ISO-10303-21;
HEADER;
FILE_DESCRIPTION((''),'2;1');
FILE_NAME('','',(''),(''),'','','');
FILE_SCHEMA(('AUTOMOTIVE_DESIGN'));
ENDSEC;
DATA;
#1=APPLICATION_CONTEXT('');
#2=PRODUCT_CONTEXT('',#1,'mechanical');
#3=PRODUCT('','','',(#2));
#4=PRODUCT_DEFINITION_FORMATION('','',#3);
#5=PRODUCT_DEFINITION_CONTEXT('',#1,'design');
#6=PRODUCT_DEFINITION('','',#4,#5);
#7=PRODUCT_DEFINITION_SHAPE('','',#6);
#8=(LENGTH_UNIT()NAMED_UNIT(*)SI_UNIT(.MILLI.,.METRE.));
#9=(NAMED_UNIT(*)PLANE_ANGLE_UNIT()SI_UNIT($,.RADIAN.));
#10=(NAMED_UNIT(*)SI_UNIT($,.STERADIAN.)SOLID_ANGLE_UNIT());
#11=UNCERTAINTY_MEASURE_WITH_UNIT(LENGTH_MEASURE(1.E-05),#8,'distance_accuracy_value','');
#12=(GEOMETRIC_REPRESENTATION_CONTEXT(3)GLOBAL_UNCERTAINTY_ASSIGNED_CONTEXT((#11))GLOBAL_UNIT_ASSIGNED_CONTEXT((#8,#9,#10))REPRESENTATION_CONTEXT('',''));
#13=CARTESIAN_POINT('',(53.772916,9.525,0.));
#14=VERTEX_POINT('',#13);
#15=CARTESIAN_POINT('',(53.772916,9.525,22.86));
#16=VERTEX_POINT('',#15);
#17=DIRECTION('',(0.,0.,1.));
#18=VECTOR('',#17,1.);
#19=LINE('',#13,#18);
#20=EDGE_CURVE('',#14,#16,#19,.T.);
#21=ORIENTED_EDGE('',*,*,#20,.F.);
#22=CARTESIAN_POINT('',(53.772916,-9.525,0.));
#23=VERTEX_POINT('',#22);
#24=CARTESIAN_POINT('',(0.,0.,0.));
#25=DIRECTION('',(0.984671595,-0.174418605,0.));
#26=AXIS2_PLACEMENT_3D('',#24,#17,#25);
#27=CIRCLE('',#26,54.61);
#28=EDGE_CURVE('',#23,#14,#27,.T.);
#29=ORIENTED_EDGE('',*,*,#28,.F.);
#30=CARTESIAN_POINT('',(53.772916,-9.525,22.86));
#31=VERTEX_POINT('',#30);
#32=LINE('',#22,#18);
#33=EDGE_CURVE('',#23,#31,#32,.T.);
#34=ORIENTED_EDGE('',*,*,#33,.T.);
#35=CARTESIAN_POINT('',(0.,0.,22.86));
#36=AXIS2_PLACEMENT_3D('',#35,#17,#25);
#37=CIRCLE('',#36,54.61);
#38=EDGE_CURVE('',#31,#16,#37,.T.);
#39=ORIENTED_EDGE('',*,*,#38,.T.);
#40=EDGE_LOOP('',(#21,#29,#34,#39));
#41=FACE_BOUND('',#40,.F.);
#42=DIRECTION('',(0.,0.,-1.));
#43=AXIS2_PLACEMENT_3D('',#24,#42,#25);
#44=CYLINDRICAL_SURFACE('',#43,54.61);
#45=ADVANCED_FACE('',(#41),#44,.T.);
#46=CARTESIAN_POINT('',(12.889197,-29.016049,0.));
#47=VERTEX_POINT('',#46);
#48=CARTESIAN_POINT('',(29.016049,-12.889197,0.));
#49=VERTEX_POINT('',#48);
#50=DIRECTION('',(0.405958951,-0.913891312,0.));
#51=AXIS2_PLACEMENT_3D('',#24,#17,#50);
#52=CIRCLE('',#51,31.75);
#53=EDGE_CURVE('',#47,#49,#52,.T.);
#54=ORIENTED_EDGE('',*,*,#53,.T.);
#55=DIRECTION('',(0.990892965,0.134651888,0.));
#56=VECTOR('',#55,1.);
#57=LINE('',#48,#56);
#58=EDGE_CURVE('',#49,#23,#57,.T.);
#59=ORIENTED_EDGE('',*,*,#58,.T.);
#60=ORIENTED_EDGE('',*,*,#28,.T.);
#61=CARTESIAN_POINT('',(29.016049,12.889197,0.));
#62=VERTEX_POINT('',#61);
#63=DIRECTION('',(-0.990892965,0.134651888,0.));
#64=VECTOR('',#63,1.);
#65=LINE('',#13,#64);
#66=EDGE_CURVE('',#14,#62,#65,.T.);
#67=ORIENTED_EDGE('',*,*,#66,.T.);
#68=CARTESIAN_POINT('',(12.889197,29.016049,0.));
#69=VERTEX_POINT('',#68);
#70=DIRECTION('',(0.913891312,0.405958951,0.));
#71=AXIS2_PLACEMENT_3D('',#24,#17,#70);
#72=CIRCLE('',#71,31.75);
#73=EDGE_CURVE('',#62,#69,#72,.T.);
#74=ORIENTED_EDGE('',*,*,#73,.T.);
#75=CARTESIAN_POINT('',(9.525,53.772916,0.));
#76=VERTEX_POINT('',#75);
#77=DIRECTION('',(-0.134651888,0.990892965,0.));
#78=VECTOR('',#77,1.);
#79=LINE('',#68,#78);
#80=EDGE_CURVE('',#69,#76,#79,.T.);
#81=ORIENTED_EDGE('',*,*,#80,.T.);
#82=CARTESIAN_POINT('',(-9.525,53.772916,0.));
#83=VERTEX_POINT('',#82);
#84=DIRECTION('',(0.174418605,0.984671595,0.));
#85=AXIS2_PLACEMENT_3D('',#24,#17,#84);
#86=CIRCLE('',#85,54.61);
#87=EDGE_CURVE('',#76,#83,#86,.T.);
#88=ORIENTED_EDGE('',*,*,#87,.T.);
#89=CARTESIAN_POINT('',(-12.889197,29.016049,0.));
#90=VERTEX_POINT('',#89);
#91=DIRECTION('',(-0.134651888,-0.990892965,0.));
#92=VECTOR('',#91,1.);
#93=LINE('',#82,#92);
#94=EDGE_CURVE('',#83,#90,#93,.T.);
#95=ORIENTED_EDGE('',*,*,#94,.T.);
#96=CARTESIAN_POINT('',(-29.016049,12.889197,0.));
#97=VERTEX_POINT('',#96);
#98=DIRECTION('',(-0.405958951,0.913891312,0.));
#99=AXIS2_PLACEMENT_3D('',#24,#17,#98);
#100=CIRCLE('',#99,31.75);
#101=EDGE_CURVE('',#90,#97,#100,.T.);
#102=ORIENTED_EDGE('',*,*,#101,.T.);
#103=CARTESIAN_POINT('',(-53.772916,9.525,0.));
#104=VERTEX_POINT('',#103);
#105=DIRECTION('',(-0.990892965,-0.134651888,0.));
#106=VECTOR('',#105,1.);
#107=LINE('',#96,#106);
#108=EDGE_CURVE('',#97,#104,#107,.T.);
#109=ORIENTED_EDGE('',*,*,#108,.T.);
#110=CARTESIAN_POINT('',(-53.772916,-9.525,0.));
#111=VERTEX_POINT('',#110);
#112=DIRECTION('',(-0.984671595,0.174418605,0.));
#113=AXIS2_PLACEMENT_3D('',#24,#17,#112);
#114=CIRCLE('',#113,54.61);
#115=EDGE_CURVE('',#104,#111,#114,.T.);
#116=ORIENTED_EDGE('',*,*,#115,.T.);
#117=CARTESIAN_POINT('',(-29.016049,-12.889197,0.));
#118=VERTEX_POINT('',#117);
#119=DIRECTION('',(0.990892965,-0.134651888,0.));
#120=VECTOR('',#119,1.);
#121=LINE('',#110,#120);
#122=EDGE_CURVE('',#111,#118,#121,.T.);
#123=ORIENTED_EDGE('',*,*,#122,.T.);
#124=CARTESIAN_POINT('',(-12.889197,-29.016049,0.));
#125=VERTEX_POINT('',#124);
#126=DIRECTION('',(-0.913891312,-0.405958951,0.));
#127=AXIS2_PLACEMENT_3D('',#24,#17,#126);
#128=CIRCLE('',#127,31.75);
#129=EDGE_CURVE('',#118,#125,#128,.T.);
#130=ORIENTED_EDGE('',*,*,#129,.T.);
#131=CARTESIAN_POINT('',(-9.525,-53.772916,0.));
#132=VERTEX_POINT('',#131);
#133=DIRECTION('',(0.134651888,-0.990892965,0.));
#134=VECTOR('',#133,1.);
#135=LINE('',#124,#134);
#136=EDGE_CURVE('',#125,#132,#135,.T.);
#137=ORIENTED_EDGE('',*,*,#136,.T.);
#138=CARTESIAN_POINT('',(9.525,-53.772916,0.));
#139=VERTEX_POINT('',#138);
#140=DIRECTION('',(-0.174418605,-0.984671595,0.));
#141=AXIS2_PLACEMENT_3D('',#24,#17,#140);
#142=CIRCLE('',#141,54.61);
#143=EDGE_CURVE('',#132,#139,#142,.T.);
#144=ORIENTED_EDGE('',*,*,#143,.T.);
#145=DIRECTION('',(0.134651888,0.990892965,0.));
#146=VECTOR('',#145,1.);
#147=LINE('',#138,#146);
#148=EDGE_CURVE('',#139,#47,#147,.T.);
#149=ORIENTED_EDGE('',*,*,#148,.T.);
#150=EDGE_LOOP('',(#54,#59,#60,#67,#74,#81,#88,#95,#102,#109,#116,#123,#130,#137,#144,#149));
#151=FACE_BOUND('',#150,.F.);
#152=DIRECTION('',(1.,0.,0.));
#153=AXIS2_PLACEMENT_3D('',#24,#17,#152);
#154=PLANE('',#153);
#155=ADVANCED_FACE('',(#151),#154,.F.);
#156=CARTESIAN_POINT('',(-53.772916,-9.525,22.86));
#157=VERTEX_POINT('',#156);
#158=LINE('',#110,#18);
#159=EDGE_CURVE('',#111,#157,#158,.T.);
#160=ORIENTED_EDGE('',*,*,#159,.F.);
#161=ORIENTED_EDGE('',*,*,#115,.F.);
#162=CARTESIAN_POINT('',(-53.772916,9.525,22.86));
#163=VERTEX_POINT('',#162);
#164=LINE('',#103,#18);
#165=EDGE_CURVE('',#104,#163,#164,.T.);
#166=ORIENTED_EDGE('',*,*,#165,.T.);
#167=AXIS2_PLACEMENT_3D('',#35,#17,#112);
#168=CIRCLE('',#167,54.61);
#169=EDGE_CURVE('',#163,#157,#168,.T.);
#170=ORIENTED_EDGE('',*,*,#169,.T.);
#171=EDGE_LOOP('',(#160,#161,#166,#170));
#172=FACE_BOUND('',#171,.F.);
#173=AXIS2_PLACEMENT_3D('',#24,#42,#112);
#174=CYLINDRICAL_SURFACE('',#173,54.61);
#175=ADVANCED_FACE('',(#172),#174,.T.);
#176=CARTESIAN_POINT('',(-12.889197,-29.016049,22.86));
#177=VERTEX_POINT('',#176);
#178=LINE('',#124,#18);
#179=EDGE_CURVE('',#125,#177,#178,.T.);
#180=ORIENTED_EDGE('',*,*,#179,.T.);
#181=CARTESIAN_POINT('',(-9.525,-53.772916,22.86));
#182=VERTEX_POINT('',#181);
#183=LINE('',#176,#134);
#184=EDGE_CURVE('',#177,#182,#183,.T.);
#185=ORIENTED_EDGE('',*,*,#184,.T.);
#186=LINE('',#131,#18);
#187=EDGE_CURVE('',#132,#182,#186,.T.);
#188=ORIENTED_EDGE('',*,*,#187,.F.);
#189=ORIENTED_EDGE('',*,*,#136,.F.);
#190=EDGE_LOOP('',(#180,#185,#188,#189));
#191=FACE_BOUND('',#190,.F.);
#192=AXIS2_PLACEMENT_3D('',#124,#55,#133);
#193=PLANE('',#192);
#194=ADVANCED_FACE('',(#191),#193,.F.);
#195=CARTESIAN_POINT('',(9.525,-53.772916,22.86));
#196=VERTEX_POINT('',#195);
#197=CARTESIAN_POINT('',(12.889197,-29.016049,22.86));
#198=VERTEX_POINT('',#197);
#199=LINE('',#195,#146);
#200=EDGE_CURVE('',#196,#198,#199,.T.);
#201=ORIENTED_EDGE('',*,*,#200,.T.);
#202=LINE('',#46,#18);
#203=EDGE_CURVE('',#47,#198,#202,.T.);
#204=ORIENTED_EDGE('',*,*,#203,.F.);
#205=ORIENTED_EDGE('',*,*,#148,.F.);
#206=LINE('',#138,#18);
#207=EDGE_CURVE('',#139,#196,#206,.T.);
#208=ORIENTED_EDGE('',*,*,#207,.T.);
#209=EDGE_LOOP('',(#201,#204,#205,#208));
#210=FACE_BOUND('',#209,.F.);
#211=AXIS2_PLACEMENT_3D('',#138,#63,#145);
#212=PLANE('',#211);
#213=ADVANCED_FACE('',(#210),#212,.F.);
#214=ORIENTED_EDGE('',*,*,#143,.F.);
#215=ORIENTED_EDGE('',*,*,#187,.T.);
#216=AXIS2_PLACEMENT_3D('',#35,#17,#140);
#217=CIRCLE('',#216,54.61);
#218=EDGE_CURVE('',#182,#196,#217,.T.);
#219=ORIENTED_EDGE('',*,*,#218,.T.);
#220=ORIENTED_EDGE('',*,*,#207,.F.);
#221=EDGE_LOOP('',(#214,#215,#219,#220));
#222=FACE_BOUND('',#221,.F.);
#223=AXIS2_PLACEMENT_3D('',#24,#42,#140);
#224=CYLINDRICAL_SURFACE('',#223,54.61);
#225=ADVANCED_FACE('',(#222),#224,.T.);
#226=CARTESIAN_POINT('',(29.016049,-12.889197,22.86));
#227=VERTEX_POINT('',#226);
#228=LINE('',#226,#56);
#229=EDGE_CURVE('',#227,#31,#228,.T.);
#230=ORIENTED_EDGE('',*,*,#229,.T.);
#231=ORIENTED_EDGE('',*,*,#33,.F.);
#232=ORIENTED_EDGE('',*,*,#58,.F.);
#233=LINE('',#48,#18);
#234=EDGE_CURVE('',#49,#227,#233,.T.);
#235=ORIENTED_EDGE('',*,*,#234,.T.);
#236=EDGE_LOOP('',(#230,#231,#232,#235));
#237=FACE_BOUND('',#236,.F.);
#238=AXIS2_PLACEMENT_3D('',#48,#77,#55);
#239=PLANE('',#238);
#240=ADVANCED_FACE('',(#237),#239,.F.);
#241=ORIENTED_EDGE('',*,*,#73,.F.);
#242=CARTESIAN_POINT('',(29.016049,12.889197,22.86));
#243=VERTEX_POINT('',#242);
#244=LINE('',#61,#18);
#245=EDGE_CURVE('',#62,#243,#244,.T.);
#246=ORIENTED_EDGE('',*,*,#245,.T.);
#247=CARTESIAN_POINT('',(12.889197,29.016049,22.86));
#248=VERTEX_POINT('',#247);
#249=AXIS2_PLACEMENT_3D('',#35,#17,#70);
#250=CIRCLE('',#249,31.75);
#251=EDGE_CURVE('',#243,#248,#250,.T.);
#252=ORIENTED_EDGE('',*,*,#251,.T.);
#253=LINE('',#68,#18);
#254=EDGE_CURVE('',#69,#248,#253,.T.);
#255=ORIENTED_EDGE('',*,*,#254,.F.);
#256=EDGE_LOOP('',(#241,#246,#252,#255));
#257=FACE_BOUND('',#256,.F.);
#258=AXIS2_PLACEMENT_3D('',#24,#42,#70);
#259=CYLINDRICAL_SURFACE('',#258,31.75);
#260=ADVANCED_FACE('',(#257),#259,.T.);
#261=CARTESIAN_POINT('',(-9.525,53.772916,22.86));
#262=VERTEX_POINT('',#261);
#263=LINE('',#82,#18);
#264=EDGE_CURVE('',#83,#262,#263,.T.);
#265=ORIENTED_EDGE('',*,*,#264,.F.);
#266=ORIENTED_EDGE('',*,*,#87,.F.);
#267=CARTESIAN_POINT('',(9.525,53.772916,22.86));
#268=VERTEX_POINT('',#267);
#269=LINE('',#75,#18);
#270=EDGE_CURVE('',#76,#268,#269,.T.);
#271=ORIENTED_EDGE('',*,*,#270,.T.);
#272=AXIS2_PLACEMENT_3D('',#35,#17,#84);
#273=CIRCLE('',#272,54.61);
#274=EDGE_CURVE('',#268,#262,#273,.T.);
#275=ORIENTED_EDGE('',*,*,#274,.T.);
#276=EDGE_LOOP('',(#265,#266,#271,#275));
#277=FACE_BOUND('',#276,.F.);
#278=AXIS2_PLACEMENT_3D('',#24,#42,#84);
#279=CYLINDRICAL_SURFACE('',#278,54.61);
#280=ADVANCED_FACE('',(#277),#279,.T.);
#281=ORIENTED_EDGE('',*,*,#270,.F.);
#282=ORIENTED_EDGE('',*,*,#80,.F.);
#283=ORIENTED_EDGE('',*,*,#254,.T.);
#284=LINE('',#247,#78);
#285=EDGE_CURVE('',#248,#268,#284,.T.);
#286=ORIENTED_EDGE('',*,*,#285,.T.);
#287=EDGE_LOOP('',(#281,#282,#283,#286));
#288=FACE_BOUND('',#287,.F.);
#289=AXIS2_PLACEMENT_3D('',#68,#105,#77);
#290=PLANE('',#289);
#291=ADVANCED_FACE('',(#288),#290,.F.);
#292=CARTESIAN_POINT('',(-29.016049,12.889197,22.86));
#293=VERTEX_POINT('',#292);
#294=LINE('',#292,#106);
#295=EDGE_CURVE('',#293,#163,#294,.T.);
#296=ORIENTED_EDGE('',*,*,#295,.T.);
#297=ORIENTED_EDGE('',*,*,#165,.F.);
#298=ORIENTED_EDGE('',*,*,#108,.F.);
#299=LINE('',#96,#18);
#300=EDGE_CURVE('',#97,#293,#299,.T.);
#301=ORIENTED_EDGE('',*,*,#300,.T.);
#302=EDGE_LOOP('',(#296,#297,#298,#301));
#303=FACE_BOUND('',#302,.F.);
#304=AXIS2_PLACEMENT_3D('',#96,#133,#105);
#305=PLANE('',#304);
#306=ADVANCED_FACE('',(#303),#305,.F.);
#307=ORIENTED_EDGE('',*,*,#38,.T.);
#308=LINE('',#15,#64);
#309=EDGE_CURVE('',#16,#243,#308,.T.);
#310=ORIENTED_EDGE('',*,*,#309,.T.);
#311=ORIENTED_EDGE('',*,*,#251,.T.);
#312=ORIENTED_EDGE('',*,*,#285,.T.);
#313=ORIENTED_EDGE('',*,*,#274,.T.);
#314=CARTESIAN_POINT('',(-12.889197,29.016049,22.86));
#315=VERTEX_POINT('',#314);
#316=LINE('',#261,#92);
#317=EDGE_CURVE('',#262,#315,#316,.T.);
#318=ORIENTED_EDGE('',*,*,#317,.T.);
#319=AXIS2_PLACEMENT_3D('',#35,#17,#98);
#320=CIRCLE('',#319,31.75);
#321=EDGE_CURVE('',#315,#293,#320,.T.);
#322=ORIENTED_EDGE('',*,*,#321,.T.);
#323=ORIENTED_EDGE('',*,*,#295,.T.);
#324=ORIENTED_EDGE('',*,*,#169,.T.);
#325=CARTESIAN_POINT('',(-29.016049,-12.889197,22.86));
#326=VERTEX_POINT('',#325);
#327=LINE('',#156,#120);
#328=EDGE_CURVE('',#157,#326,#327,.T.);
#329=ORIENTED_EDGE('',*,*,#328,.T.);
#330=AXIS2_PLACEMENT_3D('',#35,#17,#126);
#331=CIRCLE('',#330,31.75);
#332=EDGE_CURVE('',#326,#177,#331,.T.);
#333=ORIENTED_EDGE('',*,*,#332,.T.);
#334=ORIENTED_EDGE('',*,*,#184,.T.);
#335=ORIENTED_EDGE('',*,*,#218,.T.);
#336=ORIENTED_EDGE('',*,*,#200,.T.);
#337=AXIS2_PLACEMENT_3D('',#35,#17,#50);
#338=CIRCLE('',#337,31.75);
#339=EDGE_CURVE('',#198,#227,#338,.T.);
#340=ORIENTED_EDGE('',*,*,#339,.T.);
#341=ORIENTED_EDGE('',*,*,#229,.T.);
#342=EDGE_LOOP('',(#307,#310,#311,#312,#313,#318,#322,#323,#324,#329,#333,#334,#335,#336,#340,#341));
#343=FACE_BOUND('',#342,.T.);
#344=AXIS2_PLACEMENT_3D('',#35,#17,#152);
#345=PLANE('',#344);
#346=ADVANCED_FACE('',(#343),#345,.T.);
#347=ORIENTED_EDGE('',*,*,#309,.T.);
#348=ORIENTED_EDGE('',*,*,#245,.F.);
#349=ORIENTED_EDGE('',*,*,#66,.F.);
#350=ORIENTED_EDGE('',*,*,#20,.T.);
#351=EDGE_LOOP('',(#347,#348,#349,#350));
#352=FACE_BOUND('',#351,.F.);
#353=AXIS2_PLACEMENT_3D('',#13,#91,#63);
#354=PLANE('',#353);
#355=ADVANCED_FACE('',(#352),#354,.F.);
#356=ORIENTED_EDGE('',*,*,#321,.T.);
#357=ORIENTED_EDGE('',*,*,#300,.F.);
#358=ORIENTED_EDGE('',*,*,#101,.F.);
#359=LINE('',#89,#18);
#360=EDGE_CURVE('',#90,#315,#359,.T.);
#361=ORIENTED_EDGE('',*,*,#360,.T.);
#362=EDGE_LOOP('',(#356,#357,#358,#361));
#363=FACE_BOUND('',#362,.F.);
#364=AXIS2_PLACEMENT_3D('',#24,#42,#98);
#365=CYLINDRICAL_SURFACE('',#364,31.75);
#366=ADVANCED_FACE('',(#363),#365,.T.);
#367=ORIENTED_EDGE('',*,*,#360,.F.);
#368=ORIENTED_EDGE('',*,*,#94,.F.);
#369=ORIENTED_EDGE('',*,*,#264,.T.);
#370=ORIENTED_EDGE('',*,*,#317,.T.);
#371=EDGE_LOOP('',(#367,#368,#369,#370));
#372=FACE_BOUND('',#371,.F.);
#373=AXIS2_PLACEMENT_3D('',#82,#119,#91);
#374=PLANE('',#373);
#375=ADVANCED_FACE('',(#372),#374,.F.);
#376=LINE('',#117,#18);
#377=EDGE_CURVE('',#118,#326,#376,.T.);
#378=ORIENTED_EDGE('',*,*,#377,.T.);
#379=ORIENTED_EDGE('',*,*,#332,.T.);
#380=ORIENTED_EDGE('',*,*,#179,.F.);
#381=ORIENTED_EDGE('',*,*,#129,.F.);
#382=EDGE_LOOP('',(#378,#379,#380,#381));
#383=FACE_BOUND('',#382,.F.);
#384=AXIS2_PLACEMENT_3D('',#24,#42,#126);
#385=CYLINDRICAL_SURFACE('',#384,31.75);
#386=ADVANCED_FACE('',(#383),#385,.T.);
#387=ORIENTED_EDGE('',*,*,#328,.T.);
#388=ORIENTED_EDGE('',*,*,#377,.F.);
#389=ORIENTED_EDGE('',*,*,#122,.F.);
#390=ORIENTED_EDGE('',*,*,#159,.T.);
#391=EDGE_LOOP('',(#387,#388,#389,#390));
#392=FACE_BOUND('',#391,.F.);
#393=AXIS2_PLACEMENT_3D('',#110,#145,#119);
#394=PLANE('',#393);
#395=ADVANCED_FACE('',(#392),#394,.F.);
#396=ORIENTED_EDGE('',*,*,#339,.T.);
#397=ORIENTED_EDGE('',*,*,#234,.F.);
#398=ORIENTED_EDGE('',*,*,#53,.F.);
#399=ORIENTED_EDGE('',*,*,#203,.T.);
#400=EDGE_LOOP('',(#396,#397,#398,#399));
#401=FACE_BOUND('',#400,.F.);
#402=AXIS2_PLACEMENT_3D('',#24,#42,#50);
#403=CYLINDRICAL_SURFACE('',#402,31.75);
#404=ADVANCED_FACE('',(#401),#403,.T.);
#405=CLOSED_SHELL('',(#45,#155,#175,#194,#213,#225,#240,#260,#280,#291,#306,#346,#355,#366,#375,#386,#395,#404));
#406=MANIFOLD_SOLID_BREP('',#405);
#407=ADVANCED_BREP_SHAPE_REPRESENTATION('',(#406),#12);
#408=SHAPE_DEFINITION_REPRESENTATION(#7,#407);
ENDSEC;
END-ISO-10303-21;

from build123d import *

# Parameters (mm, degrees)
F1_DEPTH = 22.86


with BuildPart() as f1:
    # F0 (on Top) → F1 (new body)
    with BuildSketch(Plane.XY):
        with BuildLine():
            Line((26.67, 13.208), (29.0160491531, 12.8891966989))
            ThreePointArc((29.0160491531, 12.8891966989), (22.4506403027, 22.4506403027), (12.8891966989, 29.0160491531))
            Line((12.8891966989, 29.0160491531), (13.208, 26.67))
            Line((13.208, 26.67), (0, 26.67))
            Line((0, 26.67), (-13.208, 26.67))
            Line((-13.208, 26.67), (-12.8891966989, 29.0160491531))
            ThreePointArc((-12.8891966989, 29.0160491531), (-22.4506403027, 22.4506403027), (-29.0160491531, 12.8891966989))
            Line((-29.0160491531, 12.8891966989), (-26.67, 13.208))
            Line((-26.67, 13.208), (-26.67, 0))
            Line((-26.67, 0), (-26.67, -13.208))
            Line((-26.67, -13.208), (-29.0160491531, -12.8891966989))
            ThreePointArc((-29.0160491531, -12.8891966989), (-22.4506403027, -22.4506403027), (-12.8891966989, -29.0160491531))
            Line((-12.8891966989, -29.0160491531), (-13.208, -26.67))
            Line((-13.208, -26.67), (0, -26.67))
            Line((0, -26.67), (13.208, -26.67))
            Line((13.208, -26.67), (12.8891966989, -29.0160491531))
            ThreePointArc((12.8891966989, -29.0160491531), (22.4506403027, -22.4506403027), (29.0160491531, -12.8891966989))
            Line((29.0160491531, -12.8891966989), (26.67, -13.208))
            Line((26.67, -13.208), (26.67, 0))
            Line((26.67, 0), (26.67, 13.208))
        make_face()
        with BuildLine():
            Line((-26.67, 13.208), (-29.0160491531, 12.8891966989))
            ThreePointArc((-29.0160491531, 12.8891966989), (-31.75, 0), (-29.0160491531, -12.8891966989))
            Line((-29.0160491531, -12.8891966989), (-26.67, -13.208))
            Line((-26.67, -13.208), (-26.67, 0))
            Line((-26.67, 0), (-26.67, 13.208))
        make_face()
        with BuildLine():
            ThreePointArc((-29.0160491531, -12.8891966989), (-31.75, 0), (-29.0160491531, 12.8891966989))
            Line((-29.0160491531, 12.8891966989), (-53.7729158127, 9.525))
            ThreePointArc((-53.7729158127, 9.525), (-54.61, 0), (-53.7729158127, -9.525))
            Line((-53.7729158127, -9.525), (-29.0160491531, -12.8891966989))
        make_face()
        with BuildLine():
            Line((9.525, -53.7729158127), (12.8891966989, -29.0160491531))
            ThreePointArc((12.8891966989, -29.0160491531), (0, -31.75), (-12.8891966989, -29.0160491531))
            Line((-12.8891966989, -29.0160491531), (-9.525, -53.7729158127))
            ThreePointArc((-9.525, -53.7729158127), (0, -54.61), (9.525, -53.7729158127))
        make_face()
        with BuildLine():
            ThreePointArc((-12.8891966989, -29.0160491531), (0, -31.75), (12.8891966989, -29.0160491531))
            Line((12.8891966989, -29.0160491531), (13.208, -26.67))
            Line((13.208, -26.67), (0, -26.67))
            Line((0, -26.67), (-13.208, -26.67))
            Line((-13.208, -26.67), (-12.8891966989, -29.0160491531))
        make_face()
        with BuildLine():
            ThreePointArc((29.0160491531, -12.8891966989), (31.0589927446, -6.5879791813), (31.75, 0))
            ThreePointArc((31.75, 0), (31.0589927446, 6.5879791813), (29.0160491531, 12.8891966989))
            Line((29.0160491531, 12.8891966989), (26.67, 13.208))
            Line((26.67, 13.208), (26.67, 0))
            Line((26.67, 0), (26.67, -13.208))
            Line((26.67, -13.208), (29.0160491531, -12.8891966989))
        make_face()
        with BuildLine():
            ThreePointArc((29.0160491531, 12.8891966989), (31.0589927446, 6.5879791813), (31.75, 0))
            ThreePointArc((31.75, 0), (31.0589927446, -6.5879791813), (29.0160491531, -12.8891966989))
            Line((29.0160491531, -12.8891966989), (53.7729158127, -9.525))
            ThreePointArc((53.7729158127, -9.525), (54.61, 0), (53.7729158127, 9.525))
            Line((53.7729158127, 9.525), (29.0160491531, 12.8891966989))
        make_face()
        with BuildLine():
            Line((13.208, 26.67), (12.8891966989, 29.0160491531))
            ThreePointArc((12.8891966989, 29.0160491531), (0, 31.75), (-12.8891966989, 29.0160491531))
            Line((-12.8891966989, 29.0160491531), (-13.208, 26.67))
            Line((-13.208, 26.67), (0, 26.67))
            Line((0, 26.67), (13.208, 26.67))
        make_face()
        with BuildLine():
            ThreePointArc((-12.8891966989, 29.0160491531), (0, 31.75), (12.8891966989, 29.0160491531))
            Line((12.8891966989, 29.0160491531), (9.525, 53.7729158127))
            ThreePointArc((9.525, 53.7729158127), (0, 54.61), (-9.525, 53.7729158127))
            Line((-9.525, 53.7729158127), (-12.8891966989, 29.0160491531))
        make_face()
    extrude(amount=F1_DEPTH)


solid = f1.part
